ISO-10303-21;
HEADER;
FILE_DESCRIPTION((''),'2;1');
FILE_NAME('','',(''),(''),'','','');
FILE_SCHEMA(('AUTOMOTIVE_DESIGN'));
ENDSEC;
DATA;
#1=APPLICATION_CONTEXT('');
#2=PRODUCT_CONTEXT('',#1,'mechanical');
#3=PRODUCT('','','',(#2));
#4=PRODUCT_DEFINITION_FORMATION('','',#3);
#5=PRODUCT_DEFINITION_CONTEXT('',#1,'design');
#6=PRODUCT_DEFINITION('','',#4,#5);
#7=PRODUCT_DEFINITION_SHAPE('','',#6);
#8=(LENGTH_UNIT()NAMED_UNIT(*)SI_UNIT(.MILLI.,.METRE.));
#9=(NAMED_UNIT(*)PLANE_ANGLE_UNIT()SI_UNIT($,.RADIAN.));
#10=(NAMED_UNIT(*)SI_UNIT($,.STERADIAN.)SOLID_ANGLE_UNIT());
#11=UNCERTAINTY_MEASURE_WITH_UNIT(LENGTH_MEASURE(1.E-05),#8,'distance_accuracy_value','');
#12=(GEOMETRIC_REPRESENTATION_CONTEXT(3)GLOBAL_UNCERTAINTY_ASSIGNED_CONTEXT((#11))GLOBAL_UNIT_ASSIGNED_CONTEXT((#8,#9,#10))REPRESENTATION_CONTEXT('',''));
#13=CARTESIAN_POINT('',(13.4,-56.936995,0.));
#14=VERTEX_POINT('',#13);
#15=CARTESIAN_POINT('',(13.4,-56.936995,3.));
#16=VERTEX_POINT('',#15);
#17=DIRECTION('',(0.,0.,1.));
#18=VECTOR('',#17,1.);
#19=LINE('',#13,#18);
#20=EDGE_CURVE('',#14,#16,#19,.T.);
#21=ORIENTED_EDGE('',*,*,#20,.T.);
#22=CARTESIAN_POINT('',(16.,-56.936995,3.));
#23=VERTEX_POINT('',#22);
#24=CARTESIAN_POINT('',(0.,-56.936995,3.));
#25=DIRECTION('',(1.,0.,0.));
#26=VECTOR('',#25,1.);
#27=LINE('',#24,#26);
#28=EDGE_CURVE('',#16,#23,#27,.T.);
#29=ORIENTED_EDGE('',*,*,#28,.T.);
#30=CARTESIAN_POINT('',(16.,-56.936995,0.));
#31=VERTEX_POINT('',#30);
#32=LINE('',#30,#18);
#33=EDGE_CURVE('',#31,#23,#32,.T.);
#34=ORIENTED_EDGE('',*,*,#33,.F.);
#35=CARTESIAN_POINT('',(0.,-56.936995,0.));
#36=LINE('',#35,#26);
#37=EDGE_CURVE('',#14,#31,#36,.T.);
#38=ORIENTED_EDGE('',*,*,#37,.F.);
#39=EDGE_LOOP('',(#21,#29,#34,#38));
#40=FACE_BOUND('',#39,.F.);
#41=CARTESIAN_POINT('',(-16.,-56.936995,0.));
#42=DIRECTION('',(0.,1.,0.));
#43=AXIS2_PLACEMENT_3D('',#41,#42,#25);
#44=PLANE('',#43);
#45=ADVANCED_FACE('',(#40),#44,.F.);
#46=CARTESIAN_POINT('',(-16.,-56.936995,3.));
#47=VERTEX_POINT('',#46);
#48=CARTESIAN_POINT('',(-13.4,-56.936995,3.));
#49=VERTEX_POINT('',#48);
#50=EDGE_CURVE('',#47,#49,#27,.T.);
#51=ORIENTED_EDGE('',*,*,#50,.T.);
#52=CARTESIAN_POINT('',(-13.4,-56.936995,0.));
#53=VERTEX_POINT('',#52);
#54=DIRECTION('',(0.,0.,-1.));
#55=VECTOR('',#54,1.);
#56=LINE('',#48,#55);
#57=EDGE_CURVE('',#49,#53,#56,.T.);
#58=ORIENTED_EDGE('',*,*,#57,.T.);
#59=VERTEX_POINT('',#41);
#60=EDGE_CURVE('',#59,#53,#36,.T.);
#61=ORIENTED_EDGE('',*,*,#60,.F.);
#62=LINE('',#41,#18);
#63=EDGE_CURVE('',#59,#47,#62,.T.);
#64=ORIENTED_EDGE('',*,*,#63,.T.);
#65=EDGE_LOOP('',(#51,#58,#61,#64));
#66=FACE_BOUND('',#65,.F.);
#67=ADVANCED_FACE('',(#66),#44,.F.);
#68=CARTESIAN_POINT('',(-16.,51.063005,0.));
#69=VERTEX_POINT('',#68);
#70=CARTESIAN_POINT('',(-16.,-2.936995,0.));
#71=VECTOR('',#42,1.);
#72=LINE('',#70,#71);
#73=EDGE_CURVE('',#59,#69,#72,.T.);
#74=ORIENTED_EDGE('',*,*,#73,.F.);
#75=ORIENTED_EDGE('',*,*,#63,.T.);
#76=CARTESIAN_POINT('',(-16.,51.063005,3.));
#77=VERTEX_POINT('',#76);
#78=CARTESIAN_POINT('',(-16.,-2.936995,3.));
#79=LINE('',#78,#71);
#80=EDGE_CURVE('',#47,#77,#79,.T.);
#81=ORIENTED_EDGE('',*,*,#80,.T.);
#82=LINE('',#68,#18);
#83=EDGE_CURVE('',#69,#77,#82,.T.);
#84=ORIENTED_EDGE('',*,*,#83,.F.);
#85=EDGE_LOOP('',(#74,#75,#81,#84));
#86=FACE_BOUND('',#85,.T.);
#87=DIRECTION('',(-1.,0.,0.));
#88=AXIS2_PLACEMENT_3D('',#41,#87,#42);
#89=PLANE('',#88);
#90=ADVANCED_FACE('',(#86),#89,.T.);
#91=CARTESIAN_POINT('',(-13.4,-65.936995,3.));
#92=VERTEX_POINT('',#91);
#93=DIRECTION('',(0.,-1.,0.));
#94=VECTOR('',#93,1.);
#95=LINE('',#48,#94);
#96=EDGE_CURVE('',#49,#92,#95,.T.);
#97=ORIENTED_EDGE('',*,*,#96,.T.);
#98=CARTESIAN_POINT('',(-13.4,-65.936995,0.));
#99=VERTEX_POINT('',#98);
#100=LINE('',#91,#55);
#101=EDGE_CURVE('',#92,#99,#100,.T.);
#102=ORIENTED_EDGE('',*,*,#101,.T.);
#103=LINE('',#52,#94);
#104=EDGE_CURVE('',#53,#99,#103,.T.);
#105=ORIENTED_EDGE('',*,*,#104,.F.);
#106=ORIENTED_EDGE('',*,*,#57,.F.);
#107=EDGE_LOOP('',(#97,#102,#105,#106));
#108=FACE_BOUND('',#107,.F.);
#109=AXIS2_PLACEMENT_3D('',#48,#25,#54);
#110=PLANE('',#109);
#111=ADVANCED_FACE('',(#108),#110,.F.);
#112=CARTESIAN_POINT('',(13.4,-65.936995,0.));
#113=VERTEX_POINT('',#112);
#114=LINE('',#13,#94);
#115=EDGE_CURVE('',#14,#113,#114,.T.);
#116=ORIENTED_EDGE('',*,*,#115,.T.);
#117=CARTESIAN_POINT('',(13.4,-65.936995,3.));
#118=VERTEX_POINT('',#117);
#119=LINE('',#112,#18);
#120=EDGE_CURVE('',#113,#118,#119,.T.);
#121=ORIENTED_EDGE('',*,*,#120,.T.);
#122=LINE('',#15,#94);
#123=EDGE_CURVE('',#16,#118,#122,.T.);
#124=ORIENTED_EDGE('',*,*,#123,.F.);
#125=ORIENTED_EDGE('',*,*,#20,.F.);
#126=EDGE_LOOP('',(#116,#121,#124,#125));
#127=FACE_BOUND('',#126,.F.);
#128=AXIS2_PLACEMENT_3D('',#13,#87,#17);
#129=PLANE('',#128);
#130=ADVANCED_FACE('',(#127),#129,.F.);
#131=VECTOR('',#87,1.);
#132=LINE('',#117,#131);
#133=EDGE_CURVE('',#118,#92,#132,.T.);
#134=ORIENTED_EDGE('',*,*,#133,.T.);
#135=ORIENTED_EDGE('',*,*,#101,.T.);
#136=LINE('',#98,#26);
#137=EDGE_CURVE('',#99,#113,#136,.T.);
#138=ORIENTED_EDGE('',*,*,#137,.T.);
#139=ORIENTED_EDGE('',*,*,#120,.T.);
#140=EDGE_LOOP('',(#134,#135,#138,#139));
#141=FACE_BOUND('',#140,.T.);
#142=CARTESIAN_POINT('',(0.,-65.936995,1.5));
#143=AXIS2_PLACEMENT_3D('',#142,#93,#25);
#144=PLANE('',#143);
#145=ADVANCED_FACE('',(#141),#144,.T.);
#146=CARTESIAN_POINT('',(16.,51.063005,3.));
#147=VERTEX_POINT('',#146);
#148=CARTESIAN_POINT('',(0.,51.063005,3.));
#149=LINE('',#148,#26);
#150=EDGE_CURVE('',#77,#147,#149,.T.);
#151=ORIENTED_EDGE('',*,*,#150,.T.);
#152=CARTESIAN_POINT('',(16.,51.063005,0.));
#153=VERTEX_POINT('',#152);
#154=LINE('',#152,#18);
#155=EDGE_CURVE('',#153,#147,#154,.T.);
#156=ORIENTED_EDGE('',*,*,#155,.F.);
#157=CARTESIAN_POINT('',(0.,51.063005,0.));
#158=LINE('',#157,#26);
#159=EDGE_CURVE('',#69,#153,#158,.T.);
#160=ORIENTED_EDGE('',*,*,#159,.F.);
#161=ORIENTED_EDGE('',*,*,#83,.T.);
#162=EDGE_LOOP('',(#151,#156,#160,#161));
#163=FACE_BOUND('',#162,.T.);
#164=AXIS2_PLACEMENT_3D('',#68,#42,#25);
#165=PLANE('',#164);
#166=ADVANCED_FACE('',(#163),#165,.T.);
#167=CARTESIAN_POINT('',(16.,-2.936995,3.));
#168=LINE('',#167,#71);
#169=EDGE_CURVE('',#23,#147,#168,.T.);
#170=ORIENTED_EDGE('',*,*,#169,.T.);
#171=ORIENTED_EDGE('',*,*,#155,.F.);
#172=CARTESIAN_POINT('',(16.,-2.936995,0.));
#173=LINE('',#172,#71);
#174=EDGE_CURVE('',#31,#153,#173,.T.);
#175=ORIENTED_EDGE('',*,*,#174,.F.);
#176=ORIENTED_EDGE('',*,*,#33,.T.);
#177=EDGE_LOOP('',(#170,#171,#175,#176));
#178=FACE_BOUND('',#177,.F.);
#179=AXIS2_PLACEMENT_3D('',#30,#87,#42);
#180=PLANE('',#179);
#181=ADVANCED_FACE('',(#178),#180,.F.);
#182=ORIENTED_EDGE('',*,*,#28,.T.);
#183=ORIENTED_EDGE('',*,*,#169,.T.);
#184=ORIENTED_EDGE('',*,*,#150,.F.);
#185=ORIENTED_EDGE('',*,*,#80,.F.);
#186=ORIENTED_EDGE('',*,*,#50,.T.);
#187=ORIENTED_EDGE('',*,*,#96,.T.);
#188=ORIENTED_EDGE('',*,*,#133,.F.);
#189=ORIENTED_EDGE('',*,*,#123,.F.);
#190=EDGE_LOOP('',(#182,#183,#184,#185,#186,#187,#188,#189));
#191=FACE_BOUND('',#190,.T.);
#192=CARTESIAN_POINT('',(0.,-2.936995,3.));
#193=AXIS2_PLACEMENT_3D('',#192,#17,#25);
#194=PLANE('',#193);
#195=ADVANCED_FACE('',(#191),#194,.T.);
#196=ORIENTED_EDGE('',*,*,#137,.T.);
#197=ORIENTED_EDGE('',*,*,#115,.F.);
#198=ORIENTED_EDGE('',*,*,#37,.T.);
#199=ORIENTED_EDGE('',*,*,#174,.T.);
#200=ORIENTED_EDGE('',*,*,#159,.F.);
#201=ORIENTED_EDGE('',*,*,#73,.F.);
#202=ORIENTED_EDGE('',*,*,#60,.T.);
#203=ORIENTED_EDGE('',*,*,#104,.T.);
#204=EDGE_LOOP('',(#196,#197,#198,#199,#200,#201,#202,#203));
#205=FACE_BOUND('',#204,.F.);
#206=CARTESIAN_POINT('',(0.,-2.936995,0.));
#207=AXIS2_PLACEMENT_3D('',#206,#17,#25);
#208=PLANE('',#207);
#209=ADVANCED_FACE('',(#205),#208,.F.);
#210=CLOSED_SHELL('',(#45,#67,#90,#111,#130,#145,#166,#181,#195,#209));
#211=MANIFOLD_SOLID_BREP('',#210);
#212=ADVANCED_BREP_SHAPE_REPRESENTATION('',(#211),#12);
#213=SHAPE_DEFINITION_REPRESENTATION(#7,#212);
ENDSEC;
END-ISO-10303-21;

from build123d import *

# Parameters (mm, degrees)
F0_W     = 32
F0_H     = 108
F1_DEPTH = 3
F3_DEPTH = 9


with BuildPart() as f1:
    # F0 (on Top) → F1 (new body)
    with BuildSketch(Plane.XY):
        with Locations((0, -2.936995)):
            Rectangle(F0_W, F0_H)
    extrude(amount=F1_DEPTH)

    # F2 (on face) → F3 (join)
    with BuildSketch(Plane.XZ.offset(56.936995)):
        Polygon((13.4, 3), (0, 3), (-13.4, 3), (-13.4, 0), (0, 0), (13.4, 0), align=None)
    extrude(amount=F3_DEPTH)


solid = f1.part
